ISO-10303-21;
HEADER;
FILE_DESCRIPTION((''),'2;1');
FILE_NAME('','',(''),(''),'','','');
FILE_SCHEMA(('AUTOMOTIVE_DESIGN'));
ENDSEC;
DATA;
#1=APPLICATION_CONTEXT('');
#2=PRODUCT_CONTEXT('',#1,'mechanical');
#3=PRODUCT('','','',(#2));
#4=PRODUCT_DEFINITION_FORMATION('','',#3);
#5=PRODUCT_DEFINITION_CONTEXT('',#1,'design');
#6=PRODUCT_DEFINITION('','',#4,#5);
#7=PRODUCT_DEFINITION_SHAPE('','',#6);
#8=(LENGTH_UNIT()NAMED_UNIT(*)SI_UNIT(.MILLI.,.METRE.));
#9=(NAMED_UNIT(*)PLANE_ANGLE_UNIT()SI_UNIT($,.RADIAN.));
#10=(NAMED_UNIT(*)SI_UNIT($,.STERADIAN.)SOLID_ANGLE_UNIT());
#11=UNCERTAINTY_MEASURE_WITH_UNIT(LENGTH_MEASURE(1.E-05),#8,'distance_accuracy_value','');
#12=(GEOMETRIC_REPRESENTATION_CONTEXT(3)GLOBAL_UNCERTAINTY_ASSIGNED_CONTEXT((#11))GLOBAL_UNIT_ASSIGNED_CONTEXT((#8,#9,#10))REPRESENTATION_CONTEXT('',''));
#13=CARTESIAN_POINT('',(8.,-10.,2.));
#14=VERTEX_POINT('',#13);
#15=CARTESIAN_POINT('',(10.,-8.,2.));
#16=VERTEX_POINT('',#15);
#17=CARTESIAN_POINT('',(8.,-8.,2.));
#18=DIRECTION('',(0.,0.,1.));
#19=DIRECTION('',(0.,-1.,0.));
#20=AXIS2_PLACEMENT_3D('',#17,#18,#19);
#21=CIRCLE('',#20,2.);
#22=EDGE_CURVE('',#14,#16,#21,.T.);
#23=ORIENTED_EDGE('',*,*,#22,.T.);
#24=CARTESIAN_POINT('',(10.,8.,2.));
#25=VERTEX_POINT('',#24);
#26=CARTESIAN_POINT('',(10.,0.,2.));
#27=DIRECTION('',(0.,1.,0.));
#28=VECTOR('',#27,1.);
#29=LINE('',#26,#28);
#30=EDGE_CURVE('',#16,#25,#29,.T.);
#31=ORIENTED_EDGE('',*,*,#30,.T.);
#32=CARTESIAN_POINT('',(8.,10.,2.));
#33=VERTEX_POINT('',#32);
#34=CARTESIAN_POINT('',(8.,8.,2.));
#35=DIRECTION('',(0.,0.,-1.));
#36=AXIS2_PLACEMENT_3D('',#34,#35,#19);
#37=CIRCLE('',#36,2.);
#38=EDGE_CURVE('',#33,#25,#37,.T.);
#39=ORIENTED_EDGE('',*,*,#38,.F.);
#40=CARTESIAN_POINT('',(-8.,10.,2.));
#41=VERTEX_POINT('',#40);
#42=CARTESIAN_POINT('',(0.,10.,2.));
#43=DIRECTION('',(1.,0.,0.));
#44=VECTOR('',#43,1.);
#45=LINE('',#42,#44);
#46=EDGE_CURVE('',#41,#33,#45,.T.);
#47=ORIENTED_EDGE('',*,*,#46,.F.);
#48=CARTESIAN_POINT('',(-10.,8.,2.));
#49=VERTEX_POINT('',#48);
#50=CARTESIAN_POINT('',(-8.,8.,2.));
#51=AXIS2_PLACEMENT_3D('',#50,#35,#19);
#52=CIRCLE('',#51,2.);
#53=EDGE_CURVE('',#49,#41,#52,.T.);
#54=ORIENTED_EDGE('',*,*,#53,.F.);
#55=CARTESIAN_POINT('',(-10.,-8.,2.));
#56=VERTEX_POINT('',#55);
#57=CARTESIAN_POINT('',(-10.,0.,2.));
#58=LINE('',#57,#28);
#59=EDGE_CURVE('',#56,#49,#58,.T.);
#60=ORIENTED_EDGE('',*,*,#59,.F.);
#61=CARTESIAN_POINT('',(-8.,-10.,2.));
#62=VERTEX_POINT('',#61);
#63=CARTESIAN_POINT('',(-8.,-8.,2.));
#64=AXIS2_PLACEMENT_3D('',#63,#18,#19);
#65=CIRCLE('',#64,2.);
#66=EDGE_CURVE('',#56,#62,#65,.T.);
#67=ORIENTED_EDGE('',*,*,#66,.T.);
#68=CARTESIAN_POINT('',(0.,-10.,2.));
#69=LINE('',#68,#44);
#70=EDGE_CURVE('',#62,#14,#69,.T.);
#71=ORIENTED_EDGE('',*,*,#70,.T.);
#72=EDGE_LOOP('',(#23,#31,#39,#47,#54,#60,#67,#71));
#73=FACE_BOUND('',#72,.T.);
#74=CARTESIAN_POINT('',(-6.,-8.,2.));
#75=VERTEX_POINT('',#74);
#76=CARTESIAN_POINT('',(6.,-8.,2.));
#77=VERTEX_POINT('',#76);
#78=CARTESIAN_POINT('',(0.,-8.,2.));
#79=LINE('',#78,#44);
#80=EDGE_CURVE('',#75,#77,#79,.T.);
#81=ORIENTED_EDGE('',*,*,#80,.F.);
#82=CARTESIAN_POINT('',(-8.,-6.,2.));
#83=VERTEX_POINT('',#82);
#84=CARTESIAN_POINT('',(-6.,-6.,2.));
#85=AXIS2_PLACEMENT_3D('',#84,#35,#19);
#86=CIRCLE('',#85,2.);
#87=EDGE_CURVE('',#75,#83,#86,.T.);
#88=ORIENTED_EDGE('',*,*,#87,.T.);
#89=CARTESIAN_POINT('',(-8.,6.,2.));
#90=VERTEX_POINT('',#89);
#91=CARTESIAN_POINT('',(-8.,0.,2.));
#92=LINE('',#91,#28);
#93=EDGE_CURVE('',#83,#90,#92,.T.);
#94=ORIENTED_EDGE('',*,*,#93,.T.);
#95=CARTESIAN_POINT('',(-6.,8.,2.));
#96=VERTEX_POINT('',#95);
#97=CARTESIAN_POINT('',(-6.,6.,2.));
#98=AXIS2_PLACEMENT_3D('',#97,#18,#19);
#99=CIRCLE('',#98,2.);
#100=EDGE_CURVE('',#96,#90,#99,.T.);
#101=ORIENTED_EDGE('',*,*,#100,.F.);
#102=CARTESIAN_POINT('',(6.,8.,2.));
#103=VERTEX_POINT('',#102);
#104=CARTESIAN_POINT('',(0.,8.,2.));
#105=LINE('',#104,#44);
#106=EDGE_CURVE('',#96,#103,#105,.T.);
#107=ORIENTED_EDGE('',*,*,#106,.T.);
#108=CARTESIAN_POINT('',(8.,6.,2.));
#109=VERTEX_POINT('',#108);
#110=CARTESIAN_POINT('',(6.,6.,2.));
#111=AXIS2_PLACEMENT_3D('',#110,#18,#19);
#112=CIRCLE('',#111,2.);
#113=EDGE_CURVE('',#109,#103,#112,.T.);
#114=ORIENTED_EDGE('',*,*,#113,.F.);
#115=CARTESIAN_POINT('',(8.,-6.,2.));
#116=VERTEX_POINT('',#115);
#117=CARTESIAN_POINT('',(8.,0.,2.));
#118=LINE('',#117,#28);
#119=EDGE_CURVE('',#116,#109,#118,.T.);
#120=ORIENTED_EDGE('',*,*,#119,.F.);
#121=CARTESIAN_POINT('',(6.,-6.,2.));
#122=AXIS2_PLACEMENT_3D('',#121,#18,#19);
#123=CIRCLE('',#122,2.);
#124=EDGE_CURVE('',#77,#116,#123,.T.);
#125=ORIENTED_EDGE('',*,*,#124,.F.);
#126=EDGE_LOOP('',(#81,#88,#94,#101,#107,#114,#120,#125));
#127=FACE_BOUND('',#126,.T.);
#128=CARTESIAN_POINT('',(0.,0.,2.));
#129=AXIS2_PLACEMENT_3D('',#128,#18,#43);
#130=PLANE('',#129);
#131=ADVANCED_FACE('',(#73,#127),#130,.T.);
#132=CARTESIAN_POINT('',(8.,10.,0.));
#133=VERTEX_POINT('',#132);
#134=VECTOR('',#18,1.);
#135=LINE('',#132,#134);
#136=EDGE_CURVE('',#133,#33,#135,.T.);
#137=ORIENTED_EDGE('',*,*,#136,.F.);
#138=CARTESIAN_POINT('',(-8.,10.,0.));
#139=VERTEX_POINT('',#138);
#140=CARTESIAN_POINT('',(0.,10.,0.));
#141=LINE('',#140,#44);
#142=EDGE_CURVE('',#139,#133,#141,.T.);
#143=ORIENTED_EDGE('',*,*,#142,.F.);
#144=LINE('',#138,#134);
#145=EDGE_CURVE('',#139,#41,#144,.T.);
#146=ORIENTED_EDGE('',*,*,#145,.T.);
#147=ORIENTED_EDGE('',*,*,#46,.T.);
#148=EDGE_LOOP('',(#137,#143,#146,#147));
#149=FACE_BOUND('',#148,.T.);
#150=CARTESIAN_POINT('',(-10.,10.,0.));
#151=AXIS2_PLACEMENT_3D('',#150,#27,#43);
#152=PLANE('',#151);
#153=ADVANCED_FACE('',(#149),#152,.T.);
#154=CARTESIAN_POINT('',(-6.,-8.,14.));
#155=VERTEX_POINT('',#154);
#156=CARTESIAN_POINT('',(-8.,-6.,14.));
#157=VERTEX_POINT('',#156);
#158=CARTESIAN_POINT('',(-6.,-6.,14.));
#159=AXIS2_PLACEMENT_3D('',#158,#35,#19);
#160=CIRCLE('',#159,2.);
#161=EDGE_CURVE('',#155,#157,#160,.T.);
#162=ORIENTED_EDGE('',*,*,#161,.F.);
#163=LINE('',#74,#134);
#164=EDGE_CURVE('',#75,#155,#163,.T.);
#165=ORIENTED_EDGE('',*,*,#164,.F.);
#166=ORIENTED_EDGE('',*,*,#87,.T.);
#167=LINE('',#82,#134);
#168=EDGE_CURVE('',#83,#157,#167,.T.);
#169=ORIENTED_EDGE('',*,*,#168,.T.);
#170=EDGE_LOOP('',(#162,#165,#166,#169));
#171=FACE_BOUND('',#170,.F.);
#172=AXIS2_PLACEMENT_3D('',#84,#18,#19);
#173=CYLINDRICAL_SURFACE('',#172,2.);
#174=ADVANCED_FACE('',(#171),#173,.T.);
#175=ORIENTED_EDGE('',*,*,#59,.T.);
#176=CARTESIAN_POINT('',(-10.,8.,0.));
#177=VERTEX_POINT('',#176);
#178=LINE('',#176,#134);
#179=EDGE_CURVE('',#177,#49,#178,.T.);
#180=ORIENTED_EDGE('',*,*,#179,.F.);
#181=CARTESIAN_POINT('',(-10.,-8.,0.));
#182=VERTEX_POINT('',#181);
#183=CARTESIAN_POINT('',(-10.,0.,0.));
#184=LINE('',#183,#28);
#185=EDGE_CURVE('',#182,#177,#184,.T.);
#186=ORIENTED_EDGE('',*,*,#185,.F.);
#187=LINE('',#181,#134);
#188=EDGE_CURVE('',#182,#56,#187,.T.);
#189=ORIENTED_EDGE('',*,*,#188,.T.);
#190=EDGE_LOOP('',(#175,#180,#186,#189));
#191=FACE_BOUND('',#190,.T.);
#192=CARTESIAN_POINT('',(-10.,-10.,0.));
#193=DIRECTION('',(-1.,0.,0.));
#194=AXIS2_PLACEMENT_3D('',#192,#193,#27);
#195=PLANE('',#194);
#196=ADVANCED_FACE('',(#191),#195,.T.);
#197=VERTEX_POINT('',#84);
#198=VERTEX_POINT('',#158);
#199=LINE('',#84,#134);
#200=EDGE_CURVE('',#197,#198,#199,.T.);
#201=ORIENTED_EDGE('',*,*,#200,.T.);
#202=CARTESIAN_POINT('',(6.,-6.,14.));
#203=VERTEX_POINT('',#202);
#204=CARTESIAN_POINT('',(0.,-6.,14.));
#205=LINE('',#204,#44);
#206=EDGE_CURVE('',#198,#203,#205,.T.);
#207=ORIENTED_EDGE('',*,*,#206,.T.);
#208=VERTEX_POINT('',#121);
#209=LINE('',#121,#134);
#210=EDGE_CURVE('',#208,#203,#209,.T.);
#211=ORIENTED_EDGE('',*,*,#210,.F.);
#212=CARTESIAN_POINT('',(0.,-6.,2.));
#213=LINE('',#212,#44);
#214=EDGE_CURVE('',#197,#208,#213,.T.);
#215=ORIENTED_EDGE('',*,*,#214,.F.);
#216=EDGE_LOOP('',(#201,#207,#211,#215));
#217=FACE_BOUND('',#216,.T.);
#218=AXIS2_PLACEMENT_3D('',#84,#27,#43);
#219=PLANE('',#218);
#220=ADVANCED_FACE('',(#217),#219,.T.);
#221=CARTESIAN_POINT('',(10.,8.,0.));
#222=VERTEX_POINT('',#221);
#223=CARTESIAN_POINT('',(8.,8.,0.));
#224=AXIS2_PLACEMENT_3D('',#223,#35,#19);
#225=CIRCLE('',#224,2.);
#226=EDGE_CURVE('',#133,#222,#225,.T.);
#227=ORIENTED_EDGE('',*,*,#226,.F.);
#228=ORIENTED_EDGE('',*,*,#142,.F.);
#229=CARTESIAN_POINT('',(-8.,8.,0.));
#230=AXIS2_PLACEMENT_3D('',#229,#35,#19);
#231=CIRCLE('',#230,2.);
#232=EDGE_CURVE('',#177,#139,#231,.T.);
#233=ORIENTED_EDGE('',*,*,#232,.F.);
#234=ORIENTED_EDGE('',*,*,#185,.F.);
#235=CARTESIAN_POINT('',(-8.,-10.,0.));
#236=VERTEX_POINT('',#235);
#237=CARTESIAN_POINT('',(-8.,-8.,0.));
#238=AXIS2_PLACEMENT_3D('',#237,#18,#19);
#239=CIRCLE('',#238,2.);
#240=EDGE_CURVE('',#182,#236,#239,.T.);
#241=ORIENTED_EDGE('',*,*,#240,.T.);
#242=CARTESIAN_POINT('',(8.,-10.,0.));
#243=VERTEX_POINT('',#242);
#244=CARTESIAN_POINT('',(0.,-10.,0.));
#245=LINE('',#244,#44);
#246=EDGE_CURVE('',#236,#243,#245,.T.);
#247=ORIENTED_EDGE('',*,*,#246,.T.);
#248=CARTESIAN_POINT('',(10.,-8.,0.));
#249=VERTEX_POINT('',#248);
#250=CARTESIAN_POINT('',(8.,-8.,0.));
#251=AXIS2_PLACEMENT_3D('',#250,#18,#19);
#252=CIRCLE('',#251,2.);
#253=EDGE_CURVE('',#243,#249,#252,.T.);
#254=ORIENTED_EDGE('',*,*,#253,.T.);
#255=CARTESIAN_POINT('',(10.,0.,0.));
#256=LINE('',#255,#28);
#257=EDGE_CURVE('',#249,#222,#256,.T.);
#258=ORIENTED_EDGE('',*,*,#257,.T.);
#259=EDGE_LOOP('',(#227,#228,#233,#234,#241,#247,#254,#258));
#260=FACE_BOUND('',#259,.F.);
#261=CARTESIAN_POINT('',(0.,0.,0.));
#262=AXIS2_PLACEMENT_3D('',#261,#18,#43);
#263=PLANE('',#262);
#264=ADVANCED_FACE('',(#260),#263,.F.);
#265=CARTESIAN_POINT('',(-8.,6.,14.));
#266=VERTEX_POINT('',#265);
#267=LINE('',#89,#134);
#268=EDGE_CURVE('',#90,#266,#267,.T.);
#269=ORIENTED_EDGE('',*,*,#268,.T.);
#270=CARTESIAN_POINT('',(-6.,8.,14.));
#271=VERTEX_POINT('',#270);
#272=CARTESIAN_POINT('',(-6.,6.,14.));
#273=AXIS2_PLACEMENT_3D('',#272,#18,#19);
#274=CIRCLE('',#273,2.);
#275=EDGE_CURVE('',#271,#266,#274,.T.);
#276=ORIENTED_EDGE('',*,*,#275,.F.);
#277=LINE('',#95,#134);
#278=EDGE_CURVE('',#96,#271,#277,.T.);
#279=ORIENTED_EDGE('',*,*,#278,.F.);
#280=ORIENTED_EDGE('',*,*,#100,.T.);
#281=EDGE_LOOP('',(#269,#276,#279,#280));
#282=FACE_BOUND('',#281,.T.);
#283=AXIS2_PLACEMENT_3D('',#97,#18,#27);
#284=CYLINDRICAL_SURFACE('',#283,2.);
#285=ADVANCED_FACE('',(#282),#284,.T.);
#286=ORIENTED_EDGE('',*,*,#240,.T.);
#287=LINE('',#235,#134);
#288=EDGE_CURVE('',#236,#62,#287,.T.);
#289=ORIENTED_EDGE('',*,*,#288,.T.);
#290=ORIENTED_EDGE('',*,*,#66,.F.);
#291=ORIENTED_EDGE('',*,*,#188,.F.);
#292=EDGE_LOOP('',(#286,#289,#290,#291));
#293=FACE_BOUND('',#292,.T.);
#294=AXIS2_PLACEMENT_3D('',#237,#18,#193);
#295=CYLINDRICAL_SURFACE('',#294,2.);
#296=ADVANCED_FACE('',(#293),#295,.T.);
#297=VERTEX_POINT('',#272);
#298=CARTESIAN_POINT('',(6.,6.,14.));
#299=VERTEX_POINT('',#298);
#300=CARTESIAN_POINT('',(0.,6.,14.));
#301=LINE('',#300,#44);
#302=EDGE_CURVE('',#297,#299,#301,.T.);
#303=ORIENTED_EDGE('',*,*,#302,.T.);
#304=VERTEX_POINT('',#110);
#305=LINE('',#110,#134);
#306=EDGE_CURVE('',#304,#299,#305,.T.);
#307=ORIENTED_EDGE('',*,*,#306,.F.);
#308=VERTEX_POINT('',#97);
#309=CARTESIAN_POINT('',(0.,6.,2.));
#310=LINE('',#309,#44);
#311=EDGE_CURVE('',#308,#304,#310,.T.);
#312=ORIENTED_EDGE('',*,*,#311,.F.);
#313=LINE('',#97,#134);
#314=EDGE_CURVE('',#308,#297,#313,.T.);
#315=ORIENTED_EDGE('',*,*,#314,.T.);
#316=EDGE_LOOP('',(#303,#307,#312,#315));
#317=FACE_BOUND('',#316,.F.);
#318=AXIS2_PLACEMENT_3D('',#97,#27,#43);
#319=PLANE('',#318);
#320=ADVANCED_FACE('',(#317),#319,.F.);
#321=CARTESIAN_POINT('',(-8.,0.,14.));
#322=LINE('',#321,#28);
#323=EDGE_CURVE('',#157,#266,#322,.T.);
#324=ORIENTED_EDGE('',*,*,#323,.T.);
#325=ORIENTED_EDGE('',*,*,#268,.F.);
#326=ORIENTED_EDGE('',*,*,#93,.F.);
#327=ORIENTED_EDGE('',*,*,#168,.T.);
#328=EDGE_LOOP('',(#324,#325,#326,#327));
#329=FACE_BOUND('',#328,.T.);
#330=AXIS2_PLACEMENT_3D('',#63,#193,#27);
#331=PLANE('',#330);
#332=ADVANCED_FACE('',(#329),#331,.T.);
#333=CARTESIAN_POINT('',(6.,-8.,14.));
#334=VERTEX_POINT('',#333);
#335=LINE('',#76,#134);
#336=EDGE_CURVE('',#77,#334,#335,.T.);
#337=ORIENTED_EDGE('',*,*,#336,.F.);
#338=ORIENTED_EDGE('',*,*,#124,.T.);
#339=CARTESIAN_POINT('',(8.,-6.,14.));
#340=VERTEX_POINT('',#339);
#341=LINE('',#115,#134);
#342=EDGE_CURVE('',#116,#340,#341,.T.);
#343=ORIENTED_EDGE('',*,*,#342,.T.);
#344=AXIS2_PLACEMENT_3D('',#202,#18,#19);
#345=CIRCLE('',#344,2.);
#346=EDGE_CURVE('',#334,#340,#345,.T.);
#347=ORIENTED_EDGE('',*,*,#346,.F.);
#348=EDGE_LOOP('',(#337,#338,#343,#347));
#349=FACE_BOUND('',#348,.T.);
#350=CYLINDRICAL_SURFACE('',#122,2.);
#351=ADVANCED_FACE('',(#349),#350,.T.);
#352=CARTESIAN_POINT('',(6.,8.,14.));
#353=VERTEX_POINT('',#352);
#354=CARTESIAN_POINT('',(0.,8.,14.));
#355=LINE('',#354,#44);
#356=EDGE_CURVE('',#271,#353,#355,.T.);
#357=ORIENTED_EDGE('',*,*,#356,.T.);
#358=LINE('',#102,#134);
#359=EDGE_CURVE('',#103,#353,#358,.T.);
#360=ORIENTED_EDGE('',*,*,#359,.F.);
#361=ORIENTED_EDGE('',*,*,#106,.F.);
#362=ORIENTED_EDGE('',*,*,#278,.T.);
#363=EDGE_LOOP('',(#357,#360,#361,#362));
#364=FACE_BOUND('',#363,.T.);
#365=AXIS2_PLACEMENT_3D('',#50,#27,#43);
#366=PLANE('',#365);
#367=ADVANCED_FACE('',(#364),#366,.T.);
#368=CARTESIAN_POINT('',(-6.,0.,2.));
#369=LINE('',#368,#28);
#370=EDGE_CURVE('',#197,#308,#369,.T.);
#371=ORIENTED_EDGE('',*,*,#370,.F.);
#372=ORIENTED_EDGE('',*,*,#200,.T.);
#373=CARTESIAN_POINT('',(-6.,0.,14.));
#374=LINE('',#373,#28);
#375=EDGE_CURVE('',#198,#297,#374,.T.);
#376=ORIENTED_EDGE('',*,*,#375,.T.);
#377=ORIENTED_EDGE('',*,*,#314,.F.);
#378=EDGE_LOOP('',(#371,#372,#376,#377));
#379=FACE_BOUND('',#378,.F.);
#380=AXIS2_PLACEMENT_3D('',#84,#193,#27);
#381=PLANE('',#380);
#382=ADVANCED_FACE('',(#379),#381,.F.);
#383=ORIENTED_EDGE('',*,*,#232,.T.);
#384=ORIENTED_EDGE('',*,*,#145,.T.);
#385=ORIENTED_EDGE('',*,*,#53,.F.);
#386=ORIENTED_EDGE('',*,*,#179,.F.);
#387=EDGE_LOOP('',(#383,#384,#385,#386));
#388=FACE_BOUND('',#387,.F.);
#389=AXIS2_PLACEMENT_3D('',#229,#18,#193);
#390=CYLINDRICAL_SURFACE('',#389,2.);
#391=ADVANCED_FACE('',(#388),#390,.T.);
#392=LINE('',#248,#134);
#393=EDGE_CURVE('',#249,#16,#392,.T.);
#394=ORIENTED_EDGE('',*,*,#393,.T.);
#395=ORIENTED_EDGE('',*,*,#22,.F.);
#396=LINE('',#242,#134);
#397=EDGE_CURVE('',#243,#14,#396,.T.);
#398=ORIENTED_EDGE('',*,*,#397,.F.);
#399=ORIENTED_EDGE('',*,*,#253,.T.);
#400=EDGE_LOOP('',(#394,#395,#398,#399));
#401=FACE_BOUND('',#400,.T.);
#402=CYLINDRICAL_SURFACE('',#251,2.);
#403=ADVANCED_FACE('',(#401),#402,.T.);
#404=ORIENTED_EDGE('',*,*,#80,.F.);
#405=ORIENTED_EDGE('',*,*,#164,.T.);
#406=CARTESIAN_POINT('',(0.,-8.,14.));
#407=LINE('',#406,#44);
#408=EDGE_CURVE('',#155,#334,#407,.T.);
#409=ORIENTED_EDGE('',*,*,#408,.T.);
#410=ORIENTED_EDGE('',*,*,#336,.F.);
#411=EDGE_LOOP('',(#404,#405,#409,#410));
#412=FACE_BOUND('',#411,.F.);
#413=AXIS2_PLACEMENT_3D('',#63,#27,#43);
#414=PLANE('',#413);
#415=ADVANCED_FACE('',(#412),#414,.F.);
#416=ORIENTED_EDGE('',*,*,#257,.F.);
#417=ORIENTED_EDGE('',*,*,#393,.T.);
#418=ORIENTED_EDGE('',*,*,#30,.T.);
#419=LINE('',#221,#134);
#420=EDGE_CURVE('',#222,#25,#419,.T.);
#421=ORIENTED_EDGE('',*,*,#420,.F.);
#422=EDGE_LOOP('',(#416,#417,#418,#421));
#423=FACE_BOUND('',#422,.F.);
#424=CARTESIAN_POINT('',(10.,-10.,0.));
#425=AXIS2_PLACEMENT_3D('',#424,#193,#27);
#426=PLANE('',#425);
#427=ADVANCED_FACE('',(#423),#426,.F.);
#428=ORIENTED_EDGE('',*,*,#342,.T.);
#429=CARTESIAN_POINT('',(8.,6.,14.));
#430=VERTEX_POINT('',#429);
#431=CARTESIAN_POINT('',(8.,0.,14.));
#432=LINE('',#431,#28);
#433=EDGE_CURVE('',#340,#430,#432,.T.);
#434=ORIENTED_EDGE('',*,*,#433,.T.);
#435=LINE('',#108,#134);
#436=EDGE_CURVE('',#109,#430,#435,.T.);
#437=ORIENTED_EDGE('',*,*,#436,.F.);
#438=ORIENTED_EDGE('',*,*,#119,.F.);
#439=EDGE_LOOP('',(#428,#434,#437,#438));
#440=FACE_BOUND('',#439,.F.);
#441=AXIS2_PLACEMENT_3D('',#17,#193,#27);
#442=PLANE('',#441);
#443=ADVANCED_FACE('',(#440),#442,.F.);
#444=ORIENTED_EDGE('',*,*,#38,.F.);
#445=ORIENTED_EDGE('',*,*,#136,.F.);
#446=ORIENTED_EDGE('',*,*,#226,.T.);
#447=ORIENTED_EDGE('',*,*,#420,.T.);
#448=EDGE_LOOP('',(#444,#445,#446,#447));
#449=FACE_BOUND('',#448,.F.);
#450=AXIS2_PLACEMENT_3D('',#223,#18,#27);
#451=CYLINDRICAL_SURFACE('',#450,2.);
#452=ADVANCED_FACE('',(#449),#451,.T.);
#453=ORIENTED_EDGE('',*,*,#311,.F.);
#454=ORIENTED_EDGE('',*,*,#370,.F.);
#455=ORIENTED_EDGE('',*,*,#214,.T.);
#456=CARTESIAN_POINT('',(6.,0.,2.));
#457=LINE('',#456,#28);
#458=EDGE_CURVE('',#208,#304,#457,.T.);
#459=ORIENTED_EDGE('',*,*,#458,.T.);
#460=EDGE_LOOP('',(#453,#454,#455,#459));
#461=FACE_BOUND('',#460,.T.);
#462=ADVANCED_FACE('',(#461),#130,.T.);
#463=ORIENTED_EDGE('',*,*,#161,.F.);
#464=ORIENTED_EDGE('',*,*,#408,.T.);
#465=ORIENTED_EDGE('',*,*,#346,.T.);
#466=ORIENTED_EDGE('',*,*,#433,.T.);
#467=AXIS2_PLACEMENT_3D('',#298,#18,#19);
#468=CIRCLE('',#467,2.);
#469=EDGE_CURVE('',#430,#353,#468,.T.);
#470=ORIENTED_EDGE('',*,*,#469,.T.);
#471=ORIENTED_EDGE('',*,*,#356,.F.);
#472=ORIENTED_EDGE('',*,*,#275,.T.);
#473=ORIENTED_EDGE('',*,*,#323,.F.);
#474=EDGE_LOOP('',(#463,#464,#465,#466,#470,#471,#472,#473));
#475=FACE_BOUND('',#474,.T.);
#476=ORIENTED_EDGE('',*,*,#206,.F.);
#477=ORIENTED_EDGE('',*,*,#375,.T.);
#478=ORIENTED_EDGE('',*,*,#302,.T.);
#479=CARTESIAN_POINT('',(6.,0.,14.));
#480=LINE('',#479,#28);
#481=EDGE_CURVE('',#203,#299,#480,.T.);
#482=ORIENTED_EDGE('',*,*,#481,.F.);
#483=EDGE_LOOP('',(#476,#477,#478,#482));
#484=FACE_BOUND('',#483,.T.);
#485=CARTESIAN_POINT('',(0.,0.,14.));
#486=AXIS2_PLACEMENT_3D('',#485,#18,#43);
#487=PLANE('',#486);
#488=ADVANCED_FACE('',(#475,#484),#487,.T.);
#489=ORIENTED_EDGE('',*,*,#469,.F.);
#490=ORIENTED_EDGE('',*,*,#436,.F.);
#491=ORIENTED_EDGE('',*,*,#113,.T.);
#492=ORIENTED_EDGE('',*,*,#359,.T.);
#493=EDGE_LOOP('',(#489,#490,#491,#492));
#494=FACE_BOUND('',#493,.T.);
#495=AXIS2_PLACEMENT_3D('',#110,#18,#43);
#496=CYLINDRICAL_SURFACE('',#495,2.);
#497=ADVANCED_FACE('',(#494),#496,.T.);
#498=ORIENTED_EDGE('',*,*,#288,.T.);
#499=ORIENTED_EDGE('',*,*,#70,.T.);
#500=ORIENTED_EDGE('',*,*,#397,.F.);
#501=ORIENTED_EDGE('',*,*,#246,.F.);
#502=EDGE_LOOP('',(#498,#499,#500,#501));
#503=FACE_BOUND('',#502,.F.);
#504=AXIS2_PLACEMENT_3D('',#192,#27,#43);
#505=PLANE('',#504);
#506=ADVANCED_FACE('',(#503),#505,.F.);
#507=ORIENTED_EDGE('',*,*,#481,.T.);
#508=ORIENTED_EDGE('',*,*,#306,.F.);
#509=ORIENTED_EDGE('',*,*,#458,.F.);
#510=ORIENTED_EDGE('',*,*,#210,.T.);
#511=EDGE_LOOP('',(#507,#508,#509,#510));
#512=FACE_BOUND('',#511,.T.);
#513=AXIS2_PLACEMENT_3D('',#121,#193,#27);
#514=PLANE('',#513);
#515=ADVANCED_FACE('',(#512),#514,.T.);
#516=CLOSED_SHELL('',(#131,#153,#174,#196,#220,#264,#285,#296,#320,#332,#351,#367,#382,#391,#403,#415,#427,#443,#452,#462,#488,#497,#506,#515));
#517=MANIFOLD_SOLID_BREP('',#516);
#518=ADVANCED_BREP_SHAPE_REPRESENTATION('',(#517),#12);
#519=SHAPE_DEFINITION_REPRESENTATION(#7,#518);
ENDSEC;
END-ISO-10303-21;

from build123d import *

# Parameters (mm, degrees)
F0_W     = 20
F0_H     = 20
F1_DEPTH = 2
F2_W     = 16
F2_H     = 16
F2_W_2   = 12
F2_H_2   = 12
F3_DEPTH = 12
F4_R     = 2


with BuildPart() as f1:
    # F0 (on Top) → F1 (new body)
    with BuildSketch(Plane.XY):
        Rectangle(F0_W, F0_H)
    extrude(amount=F1_DEPTH)

    # F2 (on face) → F3 (join)
    with BuildSketch(Plane.XY.offset(2)):
        Rectangle(F2_W, F2_H)
        Rectangle(F2_W_2, F2_H_2, mode=Mode.SUBTRACT)
    extrude(amount=F3_DEPTH)

    # F4
    f4_edges = [f1.edges().sort_by_distance(p)[0] for p in [
        (-10, 10, 1),
        (-8, 8, 8),
        (-10, -10, 1),
        (-8, -8, 8),
        (10, 10, 1),
        (8, 8, 8),
        (10, -10, 1),
        (8, -8, 8),
    ]]
    fillet(f4_edges, radius=F4_R)


solid = f1.part
